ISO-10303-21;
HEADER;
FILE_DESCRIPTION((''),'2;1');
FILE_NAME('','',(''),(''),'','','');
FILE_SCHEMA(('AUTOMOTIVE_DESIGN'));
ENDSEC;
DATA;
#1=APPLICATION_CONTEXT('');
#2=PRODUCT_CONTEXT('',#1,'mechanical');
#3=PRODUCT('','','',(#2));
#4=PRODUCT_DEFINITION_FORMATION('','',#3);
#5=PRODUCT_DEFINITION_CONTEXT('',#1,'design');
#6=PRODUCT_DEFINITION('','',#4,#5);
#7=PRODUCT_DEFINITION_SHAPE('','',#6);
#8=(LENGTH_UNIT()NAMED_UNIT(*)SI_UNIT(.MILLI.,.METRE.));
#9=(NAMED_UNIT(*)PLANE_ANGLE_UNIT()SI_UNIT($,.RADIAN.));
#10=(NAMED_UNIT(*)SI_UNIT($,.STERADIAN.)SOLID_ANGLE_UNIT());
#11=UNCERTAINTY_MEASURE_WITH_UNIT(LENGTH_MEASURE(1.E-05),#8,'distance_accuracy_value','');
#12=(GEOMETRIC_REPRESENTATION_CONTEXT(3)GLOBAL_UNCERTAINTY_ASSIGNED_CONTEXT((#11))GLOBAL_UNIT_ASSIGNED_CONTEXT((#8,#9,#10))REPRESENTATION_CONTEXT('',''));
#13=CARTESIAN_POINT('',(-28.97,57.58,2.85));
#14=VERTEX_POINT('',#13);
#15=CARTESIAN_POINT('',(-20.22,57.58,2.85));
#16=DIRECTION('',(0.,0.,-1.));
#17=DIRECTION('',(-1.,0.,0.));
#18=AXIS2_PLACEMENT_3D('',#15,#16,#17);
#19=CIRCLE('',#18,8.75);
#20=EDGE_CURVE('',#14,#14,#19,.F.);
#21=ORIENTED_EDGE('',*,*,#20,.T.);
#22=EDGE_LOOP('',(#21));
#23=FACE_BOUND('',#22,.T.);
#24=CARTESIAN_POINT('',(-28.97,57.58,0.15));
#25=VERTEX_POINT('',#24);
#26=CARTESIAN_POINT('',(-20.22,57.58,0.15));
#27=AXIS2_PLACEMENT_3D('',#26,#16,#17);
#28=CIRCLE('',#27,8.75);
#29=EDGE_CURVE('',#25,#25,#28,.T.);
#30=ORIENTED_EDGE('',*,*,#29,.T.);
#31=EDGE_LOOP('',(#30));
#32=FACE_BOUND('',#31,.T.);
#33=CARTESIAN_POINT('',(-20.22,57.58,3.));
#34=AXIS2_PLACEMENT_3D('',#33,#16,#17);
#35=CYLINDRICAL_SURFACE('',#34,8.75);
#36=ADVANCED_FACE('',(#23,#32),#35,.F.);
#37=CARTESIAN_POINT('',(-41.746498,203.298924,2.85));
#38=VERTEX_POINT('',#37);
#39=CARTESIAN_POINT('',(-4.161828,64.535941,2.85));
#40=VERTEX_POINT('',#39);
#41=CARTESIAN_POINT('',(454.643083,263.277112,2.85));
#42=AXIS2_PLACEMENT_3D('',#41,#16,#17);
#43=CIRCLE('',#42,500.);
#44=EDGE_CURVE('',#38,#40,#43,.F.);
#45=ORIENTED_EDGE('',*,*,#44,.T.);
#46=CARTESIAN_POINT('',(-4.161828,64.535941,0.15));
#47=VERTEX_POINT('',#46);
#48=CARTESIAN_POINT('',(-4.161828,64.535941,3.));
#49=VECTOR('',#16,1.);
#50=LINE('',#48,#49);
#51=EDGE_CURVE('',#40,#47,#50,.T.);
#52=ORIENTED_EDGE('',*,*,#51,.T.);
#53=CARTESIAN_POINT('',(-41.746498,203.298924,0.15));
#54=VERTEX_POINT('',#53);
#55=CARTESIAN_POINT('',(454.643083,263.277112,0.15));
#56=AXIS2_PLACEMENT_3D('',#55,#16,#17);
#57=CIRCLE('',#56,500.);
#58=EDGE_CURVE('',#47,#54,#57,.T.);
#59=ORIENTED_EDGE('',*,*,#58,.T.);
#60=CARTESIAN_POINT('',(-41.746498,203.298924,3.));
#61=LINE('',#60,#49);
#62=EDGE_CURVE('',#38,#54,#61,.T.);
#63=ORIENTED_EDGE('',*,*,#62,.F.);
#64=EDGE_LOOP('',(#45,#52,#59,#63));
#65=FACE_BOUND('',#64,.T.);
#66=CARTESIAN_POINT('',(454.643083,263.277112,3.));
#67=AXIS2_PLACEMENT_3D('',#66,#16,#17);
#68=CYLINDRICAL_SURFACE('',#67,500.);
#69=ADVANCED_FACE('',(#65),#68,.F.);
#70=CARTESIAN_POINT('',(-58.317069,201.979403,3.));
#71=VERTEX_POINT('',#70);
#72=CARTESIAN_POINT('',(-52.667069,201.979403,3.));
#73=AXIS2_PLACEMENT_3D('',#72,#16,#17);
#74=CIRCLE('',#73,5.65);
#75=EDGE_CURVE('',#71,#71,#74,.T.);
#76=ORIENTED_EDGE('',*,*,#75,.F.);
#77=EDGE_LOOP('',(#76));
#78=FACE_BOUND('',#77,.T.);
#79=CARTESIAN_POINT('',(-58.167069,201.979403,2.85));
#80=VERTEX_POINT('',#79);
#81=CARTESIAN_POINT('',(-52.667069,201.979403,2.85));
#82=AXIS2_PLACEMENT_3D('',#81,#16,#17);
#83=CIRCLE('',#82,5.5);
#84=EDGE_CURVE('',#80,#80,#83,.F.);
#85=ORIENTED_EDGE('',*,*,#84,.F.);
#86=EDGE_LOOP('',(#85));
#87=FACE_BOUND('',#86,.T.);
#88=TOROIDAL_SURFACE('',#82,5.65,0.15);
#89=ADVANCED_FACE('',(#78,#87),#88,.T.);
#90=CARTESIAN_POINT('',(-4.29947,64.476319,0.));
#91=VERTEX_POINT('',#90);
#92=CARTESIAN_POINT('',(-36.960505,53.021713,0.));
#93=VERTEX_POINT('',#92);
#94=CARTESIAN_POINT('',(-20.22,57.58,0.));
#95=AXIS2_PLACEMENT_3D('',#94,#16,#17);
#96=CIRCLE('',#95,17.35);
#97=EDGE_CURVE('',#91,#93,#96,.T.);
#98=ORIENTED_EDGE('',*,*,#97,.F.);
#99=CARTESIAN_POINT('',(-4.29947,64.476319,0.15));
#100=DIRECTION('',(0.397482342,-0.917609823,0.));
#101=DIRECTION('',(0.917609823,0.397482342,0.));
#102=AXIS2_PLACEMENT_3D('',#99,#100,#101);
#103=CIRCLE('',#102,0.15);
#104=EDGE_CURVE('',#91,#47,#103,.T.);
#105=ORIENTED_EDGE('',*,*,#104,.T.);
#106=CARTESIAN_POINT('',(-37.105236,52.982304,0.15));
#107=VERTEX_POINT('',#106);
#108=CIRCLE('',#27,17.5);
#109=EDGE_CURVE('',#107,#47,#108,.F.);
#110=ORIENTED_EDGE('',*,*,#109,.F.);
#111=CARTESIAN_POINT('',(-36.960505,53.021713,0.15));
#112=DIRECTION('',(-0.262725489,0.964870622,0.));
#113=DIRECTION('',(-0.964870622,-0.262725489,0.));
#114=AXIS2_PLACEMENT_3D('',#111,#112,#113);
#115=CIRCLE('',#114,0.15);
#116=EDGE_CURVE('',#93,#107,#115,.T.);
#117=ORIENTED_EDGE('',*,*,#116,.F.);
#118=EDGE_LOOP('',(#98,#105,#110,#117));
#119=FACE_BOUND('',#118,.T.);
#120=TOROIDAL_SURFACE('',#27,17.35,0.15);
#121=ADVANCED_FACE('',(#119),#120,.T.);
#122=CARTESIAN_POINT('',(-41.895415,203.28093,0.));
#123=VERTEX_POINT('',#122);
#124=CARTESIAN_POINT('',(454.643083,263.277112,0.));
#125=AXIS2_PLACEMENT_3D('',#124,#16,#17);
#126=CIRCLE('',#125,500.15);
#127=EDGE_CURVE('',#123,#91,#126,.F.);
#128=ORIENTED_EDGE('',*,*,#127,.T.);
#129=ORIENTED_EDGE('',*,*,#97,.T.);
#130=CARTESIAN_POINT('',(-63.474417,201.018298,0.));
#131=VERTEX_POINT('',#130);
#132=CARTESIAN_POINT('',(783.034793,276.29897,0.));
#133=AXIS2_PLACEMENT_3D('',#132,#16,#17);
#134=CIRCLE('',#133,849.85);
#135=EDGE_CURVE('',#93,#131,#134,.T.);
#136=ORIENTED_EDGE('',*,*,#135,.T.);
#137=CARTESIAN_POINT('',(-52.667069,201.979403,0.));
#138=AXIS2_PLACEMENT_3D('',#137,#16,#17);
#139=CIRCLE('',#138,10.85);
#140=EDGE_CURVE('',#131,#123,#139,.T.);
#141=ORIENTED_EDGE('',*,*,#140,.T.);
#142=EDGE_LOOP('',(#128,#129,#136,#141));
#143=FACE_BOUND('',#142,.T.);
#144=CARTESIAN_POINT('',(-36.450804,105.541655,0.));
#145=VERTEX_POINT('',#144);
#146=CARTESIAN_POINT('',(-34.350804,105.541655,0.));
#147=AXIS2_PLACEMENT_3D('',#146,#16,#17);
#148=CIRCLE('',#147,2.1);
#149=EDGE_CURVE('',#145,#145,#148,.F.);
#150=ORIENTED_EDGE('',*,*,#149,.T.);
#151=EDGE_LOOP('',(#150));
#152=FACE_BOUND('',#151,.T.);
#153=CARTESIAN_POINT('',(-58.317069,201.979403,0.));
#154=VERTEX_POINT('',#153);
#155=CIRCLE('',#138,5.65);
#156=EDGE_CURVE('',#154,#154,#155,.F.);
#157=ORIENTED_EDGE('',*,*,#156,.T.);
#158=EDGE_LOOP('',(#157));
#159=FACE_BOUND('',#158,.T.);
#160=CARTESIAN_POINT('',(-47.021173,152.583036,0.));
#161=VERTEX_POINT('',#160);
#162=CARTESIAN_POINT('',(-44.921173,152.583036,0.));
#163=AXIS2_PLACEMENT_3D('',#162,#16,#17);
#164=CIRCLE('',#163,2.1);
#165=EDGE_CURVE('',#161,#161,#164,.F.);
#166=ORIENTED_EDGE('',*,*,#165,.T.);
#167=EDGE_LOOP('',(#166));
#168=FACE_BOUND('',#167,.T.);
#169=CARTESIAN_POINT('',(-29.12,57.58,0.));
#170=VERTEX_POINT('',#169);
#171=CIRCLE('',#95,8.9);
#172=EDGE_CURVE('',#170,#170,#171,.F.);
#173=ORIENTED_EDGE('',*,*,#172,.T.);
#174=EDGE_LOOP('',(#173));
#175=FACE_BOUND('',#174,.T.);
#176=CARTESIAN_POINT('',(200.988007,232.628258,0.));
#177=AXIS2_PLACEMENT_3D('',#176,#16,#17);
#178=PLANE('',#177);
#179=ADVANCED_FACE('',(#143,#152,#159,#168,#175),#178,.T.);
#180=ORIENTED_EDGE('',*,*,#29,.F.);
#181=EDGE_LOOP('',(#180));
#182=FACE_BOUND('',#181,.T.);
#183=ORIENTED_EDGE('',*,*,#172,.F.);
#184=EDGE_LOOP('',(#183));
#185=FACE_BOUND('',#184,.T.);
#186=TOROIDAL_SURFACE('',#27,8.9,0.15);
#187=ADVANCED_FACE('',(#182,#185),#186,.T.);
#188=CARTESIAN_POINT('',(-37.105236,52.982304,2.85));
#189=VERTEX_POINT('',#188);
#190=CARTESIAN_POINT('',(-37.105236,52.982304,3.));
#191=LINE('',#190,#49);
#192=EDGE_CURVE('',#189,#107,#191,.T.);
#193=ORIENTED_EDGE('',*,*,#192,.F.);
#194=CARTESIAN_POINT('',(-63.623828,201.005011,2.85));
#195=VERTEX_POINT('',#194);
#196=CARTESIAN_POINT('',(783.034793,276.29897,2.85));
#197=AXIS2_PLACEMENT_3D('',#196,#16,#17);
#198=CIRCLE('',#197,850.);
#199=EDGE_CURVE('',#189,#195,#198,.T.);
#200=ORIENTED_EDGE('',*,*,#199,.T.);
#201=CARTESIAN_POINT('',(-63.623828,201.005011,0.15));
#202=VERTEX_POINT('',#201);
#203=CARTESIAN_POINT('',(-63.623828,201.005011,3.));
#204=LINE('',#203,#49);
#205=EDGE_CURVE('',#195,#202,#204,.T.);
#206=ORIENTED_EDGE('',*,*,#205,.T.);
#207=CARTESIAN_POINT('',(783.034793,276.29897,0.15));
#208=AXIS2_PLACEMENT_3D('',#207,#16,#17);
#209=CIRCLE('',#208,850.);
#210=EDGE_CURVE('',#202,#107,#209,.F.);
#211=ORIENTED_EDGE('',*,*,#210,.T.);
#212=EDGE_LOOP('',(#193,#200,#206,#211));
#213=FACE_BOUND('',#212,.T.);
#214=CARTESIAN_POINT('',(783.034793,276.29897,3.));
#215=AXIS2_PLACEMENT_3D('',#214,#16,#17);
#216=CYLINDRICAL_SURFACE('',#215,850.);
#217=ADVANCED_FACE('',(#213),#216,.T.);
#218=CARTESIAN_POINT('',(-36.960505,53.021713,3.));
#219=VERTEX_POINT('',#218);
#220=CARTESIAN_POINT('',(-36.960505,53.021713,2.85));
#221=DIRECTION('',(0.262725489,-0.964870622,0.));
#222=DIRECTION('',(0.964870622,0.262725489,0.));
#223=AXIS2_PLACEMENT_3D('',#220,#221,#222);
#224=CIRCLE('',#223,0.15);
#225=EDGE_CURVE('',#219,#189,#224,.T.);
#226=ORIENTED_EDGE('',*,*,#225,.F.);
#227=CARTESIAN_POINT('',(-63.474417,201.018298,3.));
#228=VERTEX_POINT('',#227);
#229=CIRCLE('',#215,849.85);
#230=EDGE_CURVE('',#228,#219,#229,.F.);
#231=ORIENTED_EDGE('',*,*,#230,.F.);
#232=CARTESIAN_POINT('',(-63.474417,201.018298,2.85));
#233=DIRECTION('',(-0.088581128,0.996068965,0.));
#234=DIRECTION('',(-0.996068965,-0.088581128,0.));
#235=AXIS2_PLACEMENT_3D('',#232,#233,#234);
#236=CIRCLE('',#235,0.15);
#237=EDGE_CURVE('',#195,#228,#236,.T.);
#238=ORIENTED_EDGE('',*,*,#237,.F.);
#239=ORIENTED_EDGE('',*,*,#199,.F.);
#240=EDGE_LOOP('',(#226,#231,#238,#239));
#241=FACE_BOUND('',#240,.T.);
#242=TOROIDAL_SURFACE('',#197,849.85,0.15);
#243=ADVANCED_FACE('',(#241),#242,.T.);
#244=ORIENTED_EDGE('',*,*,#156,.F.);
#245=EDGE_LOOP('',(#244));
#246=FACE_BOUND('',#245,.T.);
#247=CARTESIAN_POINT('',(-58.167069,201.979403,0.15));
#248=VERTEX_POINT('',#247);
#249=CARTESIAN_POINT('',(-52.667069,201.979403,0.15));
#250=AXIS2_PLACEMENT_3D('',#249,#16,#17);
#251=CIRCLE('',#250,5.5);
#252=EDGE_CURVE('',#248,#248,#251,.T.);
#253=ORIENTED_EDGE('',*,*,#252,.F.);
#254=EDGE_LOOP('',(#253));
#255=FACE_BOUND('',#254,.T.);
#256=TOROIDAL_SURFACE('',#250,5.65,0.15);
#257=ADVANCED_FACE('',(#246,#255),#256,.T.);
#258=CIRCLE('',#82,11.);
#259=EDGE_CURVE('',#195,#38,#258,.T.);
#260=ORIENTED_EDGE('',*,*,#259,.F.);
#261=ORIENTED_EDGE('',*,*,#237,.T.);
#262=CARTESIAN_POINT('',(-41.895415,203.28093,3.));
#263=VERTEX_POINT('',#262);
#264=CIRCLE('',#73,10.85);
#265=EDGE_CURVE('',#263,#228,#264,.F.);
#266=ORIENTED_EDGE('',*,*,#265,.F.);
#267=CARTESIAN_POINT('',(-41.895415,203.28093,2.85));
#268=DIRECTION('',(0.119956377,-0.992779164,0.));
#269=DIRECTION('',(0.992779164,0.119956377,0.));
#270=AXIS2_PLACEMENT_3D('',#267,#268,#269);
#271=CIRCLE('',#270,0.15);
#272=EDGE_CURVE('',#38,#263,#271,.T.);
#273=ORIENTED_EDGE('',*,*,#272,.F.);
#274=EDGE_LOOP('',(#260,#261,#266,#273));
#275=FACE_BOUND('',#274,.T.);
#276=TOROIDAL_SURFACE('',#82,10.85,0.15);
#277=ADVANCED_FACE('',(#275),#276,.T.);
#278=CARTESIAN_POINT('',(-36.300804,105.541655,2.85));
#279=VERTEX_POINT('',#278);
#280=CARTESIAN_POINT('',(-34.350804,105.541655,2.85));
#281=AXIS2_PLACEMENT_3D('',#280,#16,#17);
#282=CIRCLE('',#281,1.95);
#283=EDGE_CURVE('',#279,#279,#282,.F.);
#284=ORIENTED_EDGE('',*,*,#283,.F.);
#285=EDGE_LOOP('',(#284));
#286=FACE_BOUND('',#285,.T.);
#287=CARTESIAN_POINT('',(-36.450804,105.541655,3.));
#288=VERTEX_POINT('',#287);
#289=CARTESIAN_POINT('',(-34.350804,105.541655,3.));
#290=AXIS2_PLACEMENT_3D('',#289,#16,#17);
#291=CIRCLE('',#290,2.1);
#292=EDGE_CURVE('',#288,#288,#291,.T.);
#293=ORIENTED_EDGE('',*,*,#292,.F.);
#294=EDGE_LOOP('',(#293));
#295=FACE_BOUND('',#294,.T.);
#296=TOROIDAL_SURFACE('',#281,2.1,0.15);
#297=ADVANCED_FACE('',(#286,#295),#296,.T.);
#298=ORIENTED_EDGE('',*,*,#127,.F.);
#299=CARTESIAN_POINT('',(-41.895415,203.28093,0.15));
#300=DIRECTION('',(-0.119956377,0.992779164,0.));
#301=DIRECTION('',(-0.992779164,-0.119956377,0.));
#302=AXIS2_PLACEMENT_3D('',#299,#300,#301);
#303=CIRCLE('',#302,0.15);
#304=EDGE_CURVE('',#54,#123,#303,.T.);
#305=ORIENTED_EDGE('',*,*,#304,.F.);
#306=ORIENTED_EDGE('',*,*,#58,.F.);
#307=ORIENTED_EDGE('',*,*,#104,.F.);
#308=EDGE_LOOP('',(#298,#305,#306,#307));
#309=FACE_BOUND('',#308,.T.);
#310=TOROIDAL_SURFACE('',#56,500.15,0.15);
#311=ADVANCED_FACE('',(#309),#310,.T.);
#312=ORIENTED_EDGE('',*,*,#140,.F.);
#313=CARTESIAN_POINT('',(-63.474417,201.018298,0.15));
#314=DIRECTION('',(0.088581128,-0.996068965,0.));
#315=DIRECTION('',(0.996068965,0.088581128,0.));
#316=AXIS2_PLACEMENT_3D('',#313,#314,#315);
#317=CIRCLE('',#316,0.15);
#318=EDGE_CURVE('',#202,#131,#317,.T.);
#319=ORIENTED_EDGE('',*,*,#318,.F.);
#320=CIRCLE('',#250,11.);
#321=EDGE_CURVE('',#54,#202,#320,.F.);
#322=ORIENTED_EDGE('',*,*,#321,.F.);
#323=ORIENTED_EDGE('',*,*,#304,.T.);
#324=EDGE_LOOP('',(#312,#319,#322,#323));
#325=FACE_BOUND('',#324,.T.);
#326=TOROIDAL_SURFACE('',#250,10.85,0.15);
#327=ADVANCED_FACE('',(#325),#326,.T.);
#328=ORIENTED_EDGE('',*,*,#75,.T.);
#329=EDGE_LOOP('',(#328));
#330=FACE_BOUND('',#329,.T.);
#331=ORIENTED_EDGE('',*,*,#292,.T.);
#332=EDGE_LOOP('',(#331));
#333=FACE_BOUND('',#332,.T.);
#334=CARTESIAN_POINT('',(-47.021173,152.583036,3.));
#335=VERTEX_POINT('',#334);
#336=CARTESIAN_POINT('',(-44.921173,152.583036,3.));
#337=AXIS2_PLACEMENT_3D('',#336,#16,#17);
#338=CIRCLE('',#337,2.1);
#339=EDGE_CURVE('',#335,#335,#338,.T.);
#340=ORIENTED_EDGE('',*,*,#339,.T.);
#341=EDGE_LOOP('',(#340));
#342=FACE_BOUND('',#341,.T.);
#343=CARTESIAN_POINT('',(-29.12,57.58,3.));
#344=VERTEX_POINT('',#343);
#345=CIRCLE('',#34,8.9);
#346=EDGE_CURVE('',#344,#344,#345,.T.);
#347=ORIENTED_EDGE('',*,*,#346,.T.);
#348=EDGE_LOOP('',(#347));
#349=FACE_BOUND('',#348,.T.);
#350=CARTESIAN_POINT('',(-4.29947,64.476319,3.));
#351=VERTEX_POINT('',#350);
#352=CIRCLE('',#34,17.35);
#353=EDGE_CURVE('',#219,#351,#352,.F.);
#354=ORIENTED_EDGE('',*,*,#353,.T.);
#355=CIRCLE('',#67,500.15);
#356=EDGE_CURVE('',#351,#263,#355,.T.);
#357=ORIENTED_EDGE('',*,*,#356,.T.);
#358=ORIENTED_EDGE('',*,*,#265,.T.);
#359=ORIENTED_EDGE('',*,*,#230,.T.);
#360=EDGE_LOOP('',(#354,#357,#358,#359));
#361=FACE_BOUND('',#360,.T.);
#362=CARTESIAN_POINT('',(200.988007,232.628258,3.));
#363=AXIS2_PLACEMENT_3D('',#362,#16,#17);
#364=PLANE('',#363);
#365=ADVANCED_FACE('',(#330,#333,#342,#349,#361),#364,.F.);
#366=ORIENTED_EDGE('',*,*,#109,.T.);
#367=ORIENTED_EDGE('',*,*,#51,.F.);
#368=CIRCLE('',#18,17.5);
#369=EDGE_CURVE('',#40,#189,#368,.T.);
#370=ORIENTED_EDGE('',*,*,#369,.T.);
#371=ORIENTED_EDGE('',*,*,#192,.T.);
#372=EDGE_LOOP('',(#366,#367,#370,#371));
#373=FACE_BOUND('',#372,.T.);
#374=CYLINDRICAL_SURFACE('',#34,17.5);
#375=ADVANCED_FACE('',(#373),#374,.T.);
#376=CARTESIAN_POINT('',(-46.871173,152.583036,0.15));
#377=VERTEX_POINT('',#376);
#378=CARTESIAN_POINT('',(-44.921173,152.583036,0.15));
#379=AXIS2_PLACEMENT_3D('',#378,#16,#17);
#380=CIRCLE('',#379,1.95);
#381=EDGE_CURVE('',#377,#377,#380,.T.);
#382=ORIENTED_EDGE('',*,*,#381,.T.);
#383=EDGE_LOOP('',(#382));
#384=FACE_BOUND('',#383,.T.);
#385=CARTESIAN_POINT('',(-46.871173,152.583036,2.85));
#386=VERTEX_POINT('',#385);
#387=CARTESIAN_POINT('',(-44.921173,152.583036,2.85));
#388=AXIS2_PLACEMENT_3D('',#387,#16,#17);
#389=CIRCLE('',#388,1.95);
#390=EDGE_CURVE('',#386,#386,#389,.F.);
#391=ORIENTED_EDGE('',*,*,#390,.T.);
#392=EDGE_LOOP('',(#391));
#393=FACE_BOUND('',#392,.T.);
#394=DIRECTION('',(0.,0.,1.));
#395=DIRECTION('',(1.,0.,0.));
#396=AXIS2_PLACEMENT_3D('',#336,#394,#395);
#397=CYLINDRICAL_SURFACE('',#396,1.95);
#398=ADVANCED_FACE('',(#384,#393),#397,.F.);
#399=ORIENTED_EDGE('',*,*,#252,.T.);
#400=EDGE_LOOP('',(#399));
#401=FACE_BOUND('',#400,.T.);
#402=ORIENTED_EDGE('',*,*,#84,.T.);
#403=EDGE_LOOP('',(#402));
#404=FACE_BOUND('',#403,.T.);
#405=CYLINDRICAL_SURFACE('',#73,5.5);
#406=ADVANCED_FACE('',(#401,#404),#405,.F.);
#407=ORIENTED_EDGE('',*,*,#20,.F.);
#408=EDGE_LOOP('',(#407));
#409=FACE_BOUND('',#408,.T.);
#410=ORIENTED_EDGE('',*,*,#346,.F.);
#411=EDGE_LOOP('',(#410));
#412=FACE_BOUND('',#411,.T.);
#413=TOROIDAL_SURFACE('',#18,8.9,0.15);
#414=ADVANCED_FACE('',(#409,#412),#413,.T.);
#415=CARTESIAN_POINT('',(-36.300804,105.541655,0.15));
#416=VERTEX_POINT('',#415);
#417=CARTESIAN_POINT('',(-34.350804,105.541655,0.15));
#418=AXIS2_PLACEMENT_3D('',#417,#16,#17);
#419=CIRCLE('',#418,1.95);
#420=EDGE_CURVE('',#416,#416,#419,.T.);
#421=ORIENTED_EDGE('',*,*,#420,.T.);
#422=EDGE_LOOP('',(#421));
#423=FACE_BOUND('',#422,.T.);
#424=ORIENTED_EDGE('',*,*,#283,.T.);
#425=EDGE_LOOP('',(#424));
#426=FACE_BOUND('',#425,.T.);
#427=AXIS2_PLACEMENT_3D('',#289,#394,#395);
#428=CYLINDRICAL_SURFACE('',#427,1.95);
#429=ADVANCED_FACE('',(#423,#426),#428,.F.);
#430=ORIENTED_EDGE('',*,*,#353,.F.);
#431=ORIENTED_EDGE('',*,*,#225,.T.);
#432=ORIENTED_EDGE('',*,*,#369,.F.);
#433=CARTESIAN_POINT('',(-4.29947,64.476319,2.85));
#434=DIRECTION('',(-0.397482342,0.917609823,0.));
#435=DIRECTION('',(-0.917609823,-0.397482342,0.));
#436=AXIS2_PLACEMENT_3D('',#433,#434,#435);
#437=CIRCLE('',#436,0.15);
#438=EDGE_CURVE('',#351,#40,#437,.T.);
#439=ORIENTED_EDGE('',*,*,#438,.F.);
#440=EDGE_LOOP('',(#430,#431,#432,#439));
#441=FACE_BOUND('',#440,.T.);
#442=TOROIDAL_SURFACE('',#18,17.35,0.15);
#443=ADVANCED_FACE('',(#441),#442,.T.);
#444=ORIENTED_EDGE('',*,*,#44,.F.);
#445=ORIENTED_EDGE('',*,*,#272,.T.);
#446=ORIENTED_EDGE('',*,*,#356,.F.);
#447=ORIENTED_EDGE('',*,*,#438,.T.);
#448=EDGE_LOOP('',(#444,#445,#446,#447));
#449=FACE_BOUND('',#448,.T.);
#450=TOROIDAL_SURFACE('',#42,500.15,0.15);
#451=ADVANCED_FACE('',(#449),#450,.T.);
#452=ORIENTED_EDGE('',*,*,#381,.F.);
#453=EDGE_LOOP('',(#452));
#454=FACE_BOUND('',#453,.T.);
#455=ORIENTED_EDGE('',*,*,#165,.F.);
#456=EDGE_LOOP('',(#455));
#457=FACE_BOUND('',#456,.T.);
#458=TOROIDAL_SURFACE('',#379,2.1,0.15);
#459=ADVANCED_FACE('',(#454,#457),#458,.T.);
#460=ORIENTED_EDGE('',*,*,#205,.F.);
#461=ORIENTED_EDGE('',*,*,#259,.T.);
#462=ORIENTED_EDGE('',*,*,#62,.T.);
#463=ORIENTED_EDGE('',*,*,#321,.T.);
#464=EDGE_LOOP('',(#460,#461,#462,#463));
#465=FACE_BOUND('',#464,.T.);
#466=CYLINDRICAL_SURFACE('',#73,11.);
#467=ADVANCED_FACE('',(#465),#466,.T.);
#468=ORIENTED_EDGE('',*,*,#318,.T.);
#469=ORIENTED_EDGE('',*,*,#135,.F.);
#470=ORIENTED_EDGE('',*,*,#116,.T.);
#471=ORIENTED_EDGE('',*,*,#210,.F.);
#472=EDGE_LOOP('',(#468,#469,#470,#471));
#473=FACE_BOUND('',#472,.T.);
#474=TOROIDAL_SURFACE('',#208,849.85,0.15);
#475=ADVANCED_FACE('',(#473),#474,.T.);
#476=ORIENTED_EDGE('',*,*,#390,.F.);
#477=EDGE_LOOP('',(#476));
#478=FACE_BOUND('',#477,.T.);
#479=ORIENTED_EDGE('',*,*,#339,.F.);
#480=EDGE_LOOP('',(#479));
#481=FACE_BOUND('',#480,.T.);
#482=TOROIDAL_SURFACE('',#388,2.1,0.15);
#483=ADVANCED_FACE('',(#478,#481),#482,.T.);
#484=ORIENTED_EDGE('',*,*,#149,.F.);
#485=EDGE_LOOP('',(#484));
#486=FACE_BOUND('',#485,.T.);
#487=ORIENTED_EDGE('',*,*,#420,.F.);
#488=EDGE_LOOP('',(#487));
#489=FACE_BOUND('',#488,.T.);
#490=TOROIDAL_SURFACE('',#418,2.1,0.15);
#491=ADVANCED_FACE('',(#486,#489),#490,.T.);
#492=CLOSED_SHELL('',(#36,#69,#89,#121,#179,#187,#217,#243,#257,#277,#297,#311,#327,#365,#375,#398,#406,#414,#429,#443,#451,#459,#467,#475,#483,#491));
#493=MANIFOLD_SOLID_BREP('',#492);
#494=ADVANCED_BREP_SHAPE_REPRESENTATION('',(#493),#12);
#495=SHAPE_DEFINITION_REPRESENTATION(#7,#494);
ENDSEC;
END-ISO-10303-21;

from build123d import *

# Parameters (mm, degrees)
SZKIC2_R                    = 5.5
SZKIC2_R_2                  = 8.75
DODANIE_WYCI_GNI_CIE1_DEPTH = 3
OTW_R_POD_RUB_M3_51_D       = 3.9
ZAOKR_GLENIE1_R             = 0.15


with BuildPart() as part:
    # Szkic2 → Dodanie-wyciągnięcie1 (new body)
    with BuildSketch(Plane.XY):
        with BuildLine():
            ThreePointArc((-41.746498305, 203.298923565), (-27.96744414, 132.559559254), (-4.161828095, 64.535940992))
            ThreePointArc((-4.161828095, 64.535940992), (-14.428399098, 41.066146453), (-37.105235885, 52.982303936))
            ThreePointArc((-37.105235885, 52.982303936), (-53.64442572, 126.406057299), (-63.623827723, 201.005011005))
            ThreePointArc((-63.623827723, 201.005011005), (-53.814168096, 212.919429187), (-41.746498305, 203.298923565))
        make_face()
        with Locations((-52.667069104, 201.979403415)):
            Circle(SZKIC2_R, mode=Mode.SUBTRACT)
        with Locations((-20.22, 57.58)):
            Circle(SZKIC2_R_2, mode=Mode.SUBTRACT)
    extrude(amount=DODANIE_WYCI_GNI_CIE1_DEPTH)

    # Otwór pod śrubę M3.51 (through all)
    with Locations(Plane.XY.offset(3)):
        with Locations((-44.921172735, 152.583036246), (-34.350804004, 105.54165529)):
            Hole(OTW_R_POD_RUB_M3_51_D / 2)

    # Zaokrąglenie1
    zaokr_glenie1_edges = [part.edges().sort_by_distance(p)[0] for p in [
        (-14.428399098, 41.066146453, 3),
        (-58.167069104, 201.979403415, 0),
        (-58.167069104, 201.979403415, 3),
        (-27.96744414, 132.559559254, 3),
        (-28.97, 57.58, 0),
        (-28.97, 57.58, 3),
        (-32.400804004, 105.54165529, 3),
        (-32.400804004, 105.54165529, 0),
        (-42.971172735, 152.583036246, 3),
        (-42.971172735, 152.583036246, 0),
        (-53.814168096, 212.919429187, 3),
        (-27.96744414, 132.559559254, 0),
        (-14.428399098, 41.066146453, 0),
        (-53.64442572, 126.406057299, 0),
        (-53.814168096, 212.919429187, 0),
        (-53.64442572, 126.406057299, 3),
    ]]
    fillet(zaokr_glenie1_edges, radius=ZAOKR_GLENIE1_R)


solid = part.part
